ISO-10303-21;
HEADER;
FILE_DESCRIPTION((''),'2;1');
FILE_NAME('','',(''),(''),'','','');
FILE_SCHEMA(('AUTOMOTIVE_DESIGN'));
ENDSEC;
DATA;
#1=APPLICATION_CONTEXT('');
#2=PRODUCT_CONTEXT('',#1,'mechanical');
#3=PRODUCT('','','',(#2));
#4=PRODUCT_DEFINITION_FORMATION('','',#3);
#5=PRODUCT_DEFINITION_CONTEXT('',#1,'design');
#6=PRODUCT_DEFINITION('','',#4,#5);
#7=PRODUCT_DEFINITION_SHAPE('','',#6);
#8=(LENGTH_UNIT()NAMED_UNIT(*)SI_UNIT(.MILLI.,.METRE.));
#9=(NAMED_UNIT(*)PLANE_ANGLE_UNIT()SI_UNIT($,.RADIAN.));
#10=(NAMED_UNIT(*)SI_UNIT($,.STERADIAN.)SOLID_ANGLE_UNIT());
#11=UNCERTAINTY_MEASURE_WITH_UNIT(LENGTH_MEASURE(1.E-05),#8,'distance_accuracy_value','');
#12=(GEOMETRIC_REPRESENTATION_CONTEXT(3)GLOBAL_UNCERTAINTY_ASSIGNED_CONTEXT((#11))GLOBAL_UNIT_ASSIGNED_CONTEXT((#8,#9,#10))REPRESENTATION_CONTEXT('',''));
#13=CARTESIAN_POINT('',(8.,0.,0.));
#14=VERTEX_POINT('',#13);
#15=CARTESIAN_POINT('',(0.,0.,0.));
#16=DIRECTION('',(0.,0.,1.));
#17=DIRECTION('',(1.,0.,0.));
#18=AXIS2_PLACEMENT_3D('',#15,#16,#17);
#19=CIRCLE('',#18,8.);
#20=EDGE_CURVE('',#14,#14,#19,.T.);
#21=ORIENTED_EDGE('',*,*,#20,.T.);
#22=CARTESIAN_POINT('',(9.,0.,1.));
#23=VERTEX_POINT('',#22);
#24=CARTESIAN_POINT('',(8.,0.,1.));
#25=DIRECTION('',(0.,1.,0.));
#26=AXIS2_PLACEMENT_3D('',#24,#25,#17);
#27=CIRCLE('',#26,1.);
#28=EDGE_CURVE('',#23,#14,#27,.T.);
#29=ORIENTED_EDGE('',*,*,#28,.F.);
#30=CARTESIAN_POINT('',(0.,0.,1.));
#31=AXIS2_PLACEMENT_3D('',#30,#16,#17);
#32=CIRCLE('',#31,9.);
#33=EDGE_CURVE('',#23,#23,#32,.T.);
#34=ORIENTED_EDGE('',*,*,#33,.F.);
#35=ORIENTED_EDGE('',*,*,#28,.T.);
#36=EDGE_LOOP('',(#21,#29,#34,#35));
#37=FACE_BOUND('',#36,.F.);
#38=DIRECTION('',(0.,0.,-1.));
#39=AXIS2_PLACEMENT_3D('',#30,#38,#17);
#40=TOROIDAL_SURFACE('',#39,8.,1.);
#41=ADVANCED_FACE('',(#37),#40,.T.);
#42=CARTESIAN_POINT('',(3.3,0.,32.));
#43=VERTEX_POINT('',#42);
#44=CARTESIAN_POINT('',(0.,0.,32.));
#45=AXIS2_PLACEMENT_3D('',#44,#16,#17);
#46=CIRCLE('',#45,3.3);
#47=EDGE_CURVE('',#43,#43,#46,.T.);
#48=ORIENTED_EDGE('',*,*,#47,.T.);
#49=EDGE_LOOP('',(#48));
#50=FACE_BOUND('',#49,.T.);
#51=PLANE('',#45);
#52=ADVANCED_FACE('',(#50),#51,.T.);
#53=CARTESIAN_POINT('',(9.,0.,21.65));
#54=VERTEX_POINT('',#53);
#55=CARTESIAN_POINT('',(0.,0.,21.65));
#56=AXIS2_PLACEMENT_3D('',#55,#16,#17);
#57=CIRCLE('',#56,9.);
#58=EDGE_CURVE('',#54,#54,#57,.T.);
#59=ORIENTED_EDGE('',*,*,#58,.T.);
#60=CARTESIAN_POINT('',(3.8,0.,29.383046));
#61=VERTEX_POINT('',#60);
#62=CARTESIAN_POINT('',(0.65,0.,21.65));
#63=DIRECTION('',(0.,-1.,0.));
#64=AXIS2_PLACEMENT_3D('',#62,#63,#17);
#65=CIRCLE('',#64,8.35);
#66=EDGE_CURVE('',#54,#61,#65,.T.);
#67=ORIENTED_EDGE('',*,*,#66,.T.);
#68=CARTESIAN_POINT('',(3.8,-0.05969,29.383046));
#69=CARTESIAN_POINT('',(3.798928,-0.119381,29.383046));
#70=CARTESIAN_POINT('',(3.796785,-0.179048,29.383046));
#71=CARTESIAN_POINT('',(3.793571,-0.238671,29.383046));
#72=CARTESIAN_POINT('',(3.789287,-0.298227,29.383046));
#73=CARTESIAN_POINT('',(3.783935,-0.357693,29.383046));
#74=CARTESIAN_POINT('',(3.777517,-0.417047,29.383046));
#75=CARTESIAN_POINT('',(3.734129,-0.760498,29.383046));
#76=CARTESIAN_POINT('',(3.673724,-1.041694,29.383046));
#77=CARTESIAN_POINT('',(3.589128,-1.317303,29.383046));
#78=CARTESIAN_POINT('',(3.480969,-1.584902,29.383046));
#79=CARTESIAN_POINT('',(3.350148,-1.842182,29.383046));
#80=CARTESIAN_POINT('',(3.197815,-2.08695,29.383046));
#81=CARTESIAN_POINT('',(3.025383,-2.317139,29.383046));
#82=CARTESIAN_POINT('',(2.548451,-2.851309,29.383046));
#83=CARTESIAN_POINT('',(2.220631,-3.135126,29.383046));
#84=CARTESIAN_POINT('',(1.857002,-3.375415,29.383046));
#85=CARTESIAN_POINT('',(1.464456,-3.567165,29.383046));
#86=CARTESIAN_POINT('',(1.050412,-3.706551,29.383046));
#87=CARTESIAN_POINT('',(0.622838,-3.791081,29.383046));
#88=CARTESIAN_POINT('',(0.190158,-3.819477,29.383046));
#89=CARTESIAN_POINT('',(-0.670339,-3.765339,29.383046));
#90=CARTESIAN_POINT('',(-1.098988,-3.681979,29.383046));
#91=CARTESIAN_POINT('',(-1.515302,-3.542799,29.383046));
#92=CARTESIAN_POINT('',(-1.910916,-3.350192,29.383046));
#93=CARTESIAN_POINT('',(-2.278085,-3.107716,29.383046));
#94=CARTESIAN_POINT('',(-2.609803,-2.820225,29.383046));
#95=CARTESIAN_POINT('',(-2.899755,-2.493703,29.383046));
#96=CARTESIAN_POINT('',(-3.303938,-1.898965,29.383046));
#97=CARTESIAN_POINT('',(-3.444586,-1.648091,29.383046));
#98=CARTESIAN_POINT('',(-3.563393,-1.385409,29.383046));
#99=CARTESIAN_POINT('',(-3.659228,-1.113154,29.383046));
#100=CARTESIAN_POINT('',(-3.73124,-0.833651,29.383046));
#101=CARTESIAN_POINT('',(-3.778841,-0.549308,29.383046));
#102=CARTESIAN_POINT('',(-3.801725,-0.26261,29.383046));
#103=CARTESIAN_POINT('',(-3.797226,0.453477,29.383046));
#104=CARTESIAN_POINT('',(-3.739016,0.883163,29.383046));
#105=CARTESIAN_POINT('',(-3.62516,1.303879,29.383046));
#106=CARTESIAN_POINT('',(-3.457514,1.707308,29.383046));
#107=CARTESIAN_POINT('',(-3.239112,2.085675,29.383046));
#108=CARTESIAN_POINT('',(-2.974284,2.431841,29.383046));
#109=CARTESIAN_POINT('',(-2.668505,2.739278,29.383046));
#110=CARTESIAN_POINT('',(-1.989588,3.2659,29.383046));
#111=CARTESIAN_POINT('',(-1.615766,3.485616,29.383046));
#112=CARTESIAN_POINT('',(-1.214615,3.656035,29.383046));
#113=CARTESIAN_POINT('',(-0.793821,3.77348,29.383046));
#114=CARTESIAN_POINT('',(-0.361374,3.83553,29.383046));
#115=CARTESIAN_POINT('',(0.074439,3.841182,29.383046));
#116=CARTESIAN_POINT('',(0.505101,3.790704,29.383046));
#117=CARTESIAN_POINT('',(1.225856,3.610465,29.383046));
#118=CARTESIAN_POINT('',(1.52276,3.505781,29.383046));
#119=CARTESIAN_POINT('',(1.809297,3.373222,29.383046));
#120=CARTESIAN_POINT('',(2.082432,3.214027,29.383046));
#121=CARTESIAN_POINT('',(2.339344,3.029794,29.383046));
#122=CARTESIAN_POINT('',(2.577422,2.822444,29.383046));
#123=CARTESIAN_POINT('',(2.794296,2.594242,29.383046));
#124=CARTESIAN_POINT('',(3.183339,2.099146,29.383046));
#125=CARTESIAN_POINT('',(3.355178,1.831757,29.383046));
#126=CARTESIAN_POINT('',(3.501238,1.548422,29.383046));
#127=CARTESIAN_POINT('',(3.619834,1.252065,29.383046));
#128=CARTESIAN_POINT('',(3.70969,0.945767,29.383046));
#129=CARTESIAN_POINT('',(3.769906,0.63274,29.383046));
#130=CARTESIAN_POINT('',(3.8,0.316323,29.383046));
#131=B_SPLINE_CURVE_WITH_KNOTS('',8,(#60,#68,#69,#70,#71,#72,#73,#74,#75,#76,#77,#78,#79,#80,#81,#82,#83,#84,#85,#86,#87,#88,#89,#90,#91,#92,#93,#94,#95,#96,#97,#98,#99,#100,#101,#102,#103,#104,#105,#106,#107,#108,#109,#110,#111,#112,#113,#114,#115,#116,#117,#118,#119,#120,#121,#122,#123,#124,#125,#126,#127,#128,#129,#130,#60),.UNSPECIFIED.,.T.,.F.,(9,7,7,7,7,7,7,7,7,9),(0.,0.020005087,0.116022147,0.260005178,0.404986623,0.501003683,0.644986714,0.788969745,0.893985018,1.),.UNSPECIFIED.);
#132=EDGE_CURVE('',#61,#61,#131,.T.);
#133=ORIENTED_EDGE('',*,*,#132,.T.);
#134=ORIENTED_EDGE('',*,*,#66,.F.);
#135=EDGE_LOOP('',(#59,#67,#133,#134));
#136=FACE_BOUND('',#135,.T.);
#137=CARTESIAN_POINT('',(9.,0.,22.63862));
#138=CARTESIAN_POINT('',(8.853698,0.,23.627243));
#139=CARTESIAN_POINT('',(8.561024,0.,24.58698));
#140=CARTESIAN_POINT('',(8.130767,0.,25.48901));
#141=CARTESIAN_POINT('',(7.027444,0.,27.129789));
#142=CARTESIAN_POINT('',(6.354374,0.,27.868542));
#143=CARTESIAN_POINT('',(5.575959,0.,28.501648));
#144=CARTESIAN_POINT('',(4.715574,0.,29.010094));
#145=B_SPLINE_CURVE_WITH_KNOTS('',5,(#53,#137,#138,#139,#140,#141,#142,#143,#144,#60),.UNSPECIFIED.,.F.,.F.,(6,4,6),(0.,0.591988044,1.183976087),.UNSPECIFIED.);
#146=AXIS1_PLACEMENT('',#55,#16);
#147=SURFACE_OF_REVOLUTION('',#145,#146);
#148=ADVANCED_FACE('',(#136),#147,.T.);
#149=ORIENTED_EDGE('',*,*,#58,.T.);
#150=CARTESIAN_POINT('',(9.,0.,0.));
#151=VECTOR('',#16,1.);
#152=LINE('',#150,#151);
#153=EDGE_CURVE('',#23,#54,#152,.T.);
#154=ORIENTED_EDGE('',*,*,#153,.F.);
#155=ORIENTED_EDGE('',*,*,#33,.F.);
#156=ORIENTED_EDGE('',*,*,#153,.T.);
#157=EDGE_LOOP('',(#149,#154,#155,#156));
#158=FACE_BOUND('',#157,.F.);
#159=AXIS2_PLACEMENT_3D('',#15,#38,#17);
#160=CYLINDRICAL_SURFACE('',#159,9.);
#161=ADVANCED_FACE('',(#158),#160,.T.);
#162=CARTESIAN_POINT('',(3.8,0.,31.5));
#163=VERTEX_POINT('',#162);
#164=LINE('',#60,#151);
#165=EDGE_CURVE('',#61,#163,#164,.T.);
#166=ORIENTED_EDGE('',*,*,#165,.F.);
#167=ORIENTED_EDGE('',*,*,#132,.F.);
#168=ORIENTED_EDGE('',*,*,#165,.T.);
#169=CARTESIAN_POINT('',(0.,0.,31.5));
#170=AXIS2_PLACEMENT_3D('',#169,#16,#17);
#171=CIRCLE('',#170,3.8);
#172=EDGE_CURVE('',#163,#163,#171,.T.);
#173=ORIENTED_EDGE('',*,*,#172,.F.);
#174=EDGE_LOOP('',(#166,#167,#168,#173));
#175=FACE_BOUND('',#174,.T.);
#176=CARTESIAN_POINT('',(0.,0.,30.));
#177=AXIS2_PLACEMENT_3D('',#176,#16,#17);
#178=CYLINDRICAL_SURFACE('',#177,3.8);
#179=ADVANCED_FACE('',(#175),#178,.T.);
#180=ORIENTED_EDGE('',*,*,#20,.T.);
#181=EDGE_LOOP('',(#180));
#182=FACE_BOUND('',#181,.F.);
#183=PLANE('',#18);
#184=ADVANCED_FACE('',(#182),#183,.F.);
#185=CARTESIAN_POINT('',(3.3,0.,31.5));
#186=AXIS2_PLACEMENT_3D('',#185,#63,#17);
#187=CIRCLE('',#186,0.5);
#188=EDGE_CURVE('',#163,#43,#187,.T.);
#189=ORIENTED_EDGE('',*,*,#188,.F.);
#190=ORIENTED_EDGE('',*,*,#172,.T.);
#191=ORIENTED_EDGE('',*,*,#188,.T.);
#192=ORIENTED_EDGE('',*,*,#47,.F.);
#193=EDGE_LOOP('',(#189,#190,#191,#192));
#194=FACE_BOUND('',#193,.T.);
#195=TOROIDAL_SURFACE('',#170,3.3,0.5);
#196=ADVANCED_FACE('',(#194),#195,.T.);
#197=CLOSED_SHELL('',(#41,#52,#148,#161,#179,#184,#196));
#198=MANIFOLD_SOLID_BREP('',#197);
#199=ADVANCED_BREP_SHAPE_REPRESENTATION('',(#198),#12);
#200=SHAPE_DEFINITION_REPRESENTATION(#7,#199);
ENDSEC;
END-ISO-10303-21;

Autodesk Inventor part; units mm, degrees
ref_plane "YZ Plane" through (0, 0, 0) normal (1, 0, 0) x (0, 1, 0)
ref_plane "XZ Plane" through (0, 0, 0) normal (0, 1, 0) x (-1, 0, 0)
ref_plane "XY Plane" through (0, 0, 0) normal (0, 0, 1) x (1, 0, 0)
sketch "Sketch1" plane through (0, 0, 0) normal (0, 0, 1) x (1, 0, 0)
  circle A0 centre (0, 0) radius 9
  dimension "d0" = 18
extrude "Extrusion1" add sketch "Sketch1" along normal blind 30
fillet "Fillet1" radius 8.35 1 edges at (-9, 0, 30)
sketch "Sketch2" plane through (0, 0, 30) normal (0, 0, 1) x (1, 0, 0)
  circle A0 centre (0, 0) radius 3.8
  dimension "d4" = 7.6
extrude "Extrusion2" add sketch "Sketch2" along normal blind 2 and the other way blind 1
fillet "Fillet2" radius 1 1 edges at (-9, 0, 0)
fillet "Fillet3" radius 0.5 1 edges at (-3.8, 0, 32)
properties part number "4g_CO2_Cartridge"
